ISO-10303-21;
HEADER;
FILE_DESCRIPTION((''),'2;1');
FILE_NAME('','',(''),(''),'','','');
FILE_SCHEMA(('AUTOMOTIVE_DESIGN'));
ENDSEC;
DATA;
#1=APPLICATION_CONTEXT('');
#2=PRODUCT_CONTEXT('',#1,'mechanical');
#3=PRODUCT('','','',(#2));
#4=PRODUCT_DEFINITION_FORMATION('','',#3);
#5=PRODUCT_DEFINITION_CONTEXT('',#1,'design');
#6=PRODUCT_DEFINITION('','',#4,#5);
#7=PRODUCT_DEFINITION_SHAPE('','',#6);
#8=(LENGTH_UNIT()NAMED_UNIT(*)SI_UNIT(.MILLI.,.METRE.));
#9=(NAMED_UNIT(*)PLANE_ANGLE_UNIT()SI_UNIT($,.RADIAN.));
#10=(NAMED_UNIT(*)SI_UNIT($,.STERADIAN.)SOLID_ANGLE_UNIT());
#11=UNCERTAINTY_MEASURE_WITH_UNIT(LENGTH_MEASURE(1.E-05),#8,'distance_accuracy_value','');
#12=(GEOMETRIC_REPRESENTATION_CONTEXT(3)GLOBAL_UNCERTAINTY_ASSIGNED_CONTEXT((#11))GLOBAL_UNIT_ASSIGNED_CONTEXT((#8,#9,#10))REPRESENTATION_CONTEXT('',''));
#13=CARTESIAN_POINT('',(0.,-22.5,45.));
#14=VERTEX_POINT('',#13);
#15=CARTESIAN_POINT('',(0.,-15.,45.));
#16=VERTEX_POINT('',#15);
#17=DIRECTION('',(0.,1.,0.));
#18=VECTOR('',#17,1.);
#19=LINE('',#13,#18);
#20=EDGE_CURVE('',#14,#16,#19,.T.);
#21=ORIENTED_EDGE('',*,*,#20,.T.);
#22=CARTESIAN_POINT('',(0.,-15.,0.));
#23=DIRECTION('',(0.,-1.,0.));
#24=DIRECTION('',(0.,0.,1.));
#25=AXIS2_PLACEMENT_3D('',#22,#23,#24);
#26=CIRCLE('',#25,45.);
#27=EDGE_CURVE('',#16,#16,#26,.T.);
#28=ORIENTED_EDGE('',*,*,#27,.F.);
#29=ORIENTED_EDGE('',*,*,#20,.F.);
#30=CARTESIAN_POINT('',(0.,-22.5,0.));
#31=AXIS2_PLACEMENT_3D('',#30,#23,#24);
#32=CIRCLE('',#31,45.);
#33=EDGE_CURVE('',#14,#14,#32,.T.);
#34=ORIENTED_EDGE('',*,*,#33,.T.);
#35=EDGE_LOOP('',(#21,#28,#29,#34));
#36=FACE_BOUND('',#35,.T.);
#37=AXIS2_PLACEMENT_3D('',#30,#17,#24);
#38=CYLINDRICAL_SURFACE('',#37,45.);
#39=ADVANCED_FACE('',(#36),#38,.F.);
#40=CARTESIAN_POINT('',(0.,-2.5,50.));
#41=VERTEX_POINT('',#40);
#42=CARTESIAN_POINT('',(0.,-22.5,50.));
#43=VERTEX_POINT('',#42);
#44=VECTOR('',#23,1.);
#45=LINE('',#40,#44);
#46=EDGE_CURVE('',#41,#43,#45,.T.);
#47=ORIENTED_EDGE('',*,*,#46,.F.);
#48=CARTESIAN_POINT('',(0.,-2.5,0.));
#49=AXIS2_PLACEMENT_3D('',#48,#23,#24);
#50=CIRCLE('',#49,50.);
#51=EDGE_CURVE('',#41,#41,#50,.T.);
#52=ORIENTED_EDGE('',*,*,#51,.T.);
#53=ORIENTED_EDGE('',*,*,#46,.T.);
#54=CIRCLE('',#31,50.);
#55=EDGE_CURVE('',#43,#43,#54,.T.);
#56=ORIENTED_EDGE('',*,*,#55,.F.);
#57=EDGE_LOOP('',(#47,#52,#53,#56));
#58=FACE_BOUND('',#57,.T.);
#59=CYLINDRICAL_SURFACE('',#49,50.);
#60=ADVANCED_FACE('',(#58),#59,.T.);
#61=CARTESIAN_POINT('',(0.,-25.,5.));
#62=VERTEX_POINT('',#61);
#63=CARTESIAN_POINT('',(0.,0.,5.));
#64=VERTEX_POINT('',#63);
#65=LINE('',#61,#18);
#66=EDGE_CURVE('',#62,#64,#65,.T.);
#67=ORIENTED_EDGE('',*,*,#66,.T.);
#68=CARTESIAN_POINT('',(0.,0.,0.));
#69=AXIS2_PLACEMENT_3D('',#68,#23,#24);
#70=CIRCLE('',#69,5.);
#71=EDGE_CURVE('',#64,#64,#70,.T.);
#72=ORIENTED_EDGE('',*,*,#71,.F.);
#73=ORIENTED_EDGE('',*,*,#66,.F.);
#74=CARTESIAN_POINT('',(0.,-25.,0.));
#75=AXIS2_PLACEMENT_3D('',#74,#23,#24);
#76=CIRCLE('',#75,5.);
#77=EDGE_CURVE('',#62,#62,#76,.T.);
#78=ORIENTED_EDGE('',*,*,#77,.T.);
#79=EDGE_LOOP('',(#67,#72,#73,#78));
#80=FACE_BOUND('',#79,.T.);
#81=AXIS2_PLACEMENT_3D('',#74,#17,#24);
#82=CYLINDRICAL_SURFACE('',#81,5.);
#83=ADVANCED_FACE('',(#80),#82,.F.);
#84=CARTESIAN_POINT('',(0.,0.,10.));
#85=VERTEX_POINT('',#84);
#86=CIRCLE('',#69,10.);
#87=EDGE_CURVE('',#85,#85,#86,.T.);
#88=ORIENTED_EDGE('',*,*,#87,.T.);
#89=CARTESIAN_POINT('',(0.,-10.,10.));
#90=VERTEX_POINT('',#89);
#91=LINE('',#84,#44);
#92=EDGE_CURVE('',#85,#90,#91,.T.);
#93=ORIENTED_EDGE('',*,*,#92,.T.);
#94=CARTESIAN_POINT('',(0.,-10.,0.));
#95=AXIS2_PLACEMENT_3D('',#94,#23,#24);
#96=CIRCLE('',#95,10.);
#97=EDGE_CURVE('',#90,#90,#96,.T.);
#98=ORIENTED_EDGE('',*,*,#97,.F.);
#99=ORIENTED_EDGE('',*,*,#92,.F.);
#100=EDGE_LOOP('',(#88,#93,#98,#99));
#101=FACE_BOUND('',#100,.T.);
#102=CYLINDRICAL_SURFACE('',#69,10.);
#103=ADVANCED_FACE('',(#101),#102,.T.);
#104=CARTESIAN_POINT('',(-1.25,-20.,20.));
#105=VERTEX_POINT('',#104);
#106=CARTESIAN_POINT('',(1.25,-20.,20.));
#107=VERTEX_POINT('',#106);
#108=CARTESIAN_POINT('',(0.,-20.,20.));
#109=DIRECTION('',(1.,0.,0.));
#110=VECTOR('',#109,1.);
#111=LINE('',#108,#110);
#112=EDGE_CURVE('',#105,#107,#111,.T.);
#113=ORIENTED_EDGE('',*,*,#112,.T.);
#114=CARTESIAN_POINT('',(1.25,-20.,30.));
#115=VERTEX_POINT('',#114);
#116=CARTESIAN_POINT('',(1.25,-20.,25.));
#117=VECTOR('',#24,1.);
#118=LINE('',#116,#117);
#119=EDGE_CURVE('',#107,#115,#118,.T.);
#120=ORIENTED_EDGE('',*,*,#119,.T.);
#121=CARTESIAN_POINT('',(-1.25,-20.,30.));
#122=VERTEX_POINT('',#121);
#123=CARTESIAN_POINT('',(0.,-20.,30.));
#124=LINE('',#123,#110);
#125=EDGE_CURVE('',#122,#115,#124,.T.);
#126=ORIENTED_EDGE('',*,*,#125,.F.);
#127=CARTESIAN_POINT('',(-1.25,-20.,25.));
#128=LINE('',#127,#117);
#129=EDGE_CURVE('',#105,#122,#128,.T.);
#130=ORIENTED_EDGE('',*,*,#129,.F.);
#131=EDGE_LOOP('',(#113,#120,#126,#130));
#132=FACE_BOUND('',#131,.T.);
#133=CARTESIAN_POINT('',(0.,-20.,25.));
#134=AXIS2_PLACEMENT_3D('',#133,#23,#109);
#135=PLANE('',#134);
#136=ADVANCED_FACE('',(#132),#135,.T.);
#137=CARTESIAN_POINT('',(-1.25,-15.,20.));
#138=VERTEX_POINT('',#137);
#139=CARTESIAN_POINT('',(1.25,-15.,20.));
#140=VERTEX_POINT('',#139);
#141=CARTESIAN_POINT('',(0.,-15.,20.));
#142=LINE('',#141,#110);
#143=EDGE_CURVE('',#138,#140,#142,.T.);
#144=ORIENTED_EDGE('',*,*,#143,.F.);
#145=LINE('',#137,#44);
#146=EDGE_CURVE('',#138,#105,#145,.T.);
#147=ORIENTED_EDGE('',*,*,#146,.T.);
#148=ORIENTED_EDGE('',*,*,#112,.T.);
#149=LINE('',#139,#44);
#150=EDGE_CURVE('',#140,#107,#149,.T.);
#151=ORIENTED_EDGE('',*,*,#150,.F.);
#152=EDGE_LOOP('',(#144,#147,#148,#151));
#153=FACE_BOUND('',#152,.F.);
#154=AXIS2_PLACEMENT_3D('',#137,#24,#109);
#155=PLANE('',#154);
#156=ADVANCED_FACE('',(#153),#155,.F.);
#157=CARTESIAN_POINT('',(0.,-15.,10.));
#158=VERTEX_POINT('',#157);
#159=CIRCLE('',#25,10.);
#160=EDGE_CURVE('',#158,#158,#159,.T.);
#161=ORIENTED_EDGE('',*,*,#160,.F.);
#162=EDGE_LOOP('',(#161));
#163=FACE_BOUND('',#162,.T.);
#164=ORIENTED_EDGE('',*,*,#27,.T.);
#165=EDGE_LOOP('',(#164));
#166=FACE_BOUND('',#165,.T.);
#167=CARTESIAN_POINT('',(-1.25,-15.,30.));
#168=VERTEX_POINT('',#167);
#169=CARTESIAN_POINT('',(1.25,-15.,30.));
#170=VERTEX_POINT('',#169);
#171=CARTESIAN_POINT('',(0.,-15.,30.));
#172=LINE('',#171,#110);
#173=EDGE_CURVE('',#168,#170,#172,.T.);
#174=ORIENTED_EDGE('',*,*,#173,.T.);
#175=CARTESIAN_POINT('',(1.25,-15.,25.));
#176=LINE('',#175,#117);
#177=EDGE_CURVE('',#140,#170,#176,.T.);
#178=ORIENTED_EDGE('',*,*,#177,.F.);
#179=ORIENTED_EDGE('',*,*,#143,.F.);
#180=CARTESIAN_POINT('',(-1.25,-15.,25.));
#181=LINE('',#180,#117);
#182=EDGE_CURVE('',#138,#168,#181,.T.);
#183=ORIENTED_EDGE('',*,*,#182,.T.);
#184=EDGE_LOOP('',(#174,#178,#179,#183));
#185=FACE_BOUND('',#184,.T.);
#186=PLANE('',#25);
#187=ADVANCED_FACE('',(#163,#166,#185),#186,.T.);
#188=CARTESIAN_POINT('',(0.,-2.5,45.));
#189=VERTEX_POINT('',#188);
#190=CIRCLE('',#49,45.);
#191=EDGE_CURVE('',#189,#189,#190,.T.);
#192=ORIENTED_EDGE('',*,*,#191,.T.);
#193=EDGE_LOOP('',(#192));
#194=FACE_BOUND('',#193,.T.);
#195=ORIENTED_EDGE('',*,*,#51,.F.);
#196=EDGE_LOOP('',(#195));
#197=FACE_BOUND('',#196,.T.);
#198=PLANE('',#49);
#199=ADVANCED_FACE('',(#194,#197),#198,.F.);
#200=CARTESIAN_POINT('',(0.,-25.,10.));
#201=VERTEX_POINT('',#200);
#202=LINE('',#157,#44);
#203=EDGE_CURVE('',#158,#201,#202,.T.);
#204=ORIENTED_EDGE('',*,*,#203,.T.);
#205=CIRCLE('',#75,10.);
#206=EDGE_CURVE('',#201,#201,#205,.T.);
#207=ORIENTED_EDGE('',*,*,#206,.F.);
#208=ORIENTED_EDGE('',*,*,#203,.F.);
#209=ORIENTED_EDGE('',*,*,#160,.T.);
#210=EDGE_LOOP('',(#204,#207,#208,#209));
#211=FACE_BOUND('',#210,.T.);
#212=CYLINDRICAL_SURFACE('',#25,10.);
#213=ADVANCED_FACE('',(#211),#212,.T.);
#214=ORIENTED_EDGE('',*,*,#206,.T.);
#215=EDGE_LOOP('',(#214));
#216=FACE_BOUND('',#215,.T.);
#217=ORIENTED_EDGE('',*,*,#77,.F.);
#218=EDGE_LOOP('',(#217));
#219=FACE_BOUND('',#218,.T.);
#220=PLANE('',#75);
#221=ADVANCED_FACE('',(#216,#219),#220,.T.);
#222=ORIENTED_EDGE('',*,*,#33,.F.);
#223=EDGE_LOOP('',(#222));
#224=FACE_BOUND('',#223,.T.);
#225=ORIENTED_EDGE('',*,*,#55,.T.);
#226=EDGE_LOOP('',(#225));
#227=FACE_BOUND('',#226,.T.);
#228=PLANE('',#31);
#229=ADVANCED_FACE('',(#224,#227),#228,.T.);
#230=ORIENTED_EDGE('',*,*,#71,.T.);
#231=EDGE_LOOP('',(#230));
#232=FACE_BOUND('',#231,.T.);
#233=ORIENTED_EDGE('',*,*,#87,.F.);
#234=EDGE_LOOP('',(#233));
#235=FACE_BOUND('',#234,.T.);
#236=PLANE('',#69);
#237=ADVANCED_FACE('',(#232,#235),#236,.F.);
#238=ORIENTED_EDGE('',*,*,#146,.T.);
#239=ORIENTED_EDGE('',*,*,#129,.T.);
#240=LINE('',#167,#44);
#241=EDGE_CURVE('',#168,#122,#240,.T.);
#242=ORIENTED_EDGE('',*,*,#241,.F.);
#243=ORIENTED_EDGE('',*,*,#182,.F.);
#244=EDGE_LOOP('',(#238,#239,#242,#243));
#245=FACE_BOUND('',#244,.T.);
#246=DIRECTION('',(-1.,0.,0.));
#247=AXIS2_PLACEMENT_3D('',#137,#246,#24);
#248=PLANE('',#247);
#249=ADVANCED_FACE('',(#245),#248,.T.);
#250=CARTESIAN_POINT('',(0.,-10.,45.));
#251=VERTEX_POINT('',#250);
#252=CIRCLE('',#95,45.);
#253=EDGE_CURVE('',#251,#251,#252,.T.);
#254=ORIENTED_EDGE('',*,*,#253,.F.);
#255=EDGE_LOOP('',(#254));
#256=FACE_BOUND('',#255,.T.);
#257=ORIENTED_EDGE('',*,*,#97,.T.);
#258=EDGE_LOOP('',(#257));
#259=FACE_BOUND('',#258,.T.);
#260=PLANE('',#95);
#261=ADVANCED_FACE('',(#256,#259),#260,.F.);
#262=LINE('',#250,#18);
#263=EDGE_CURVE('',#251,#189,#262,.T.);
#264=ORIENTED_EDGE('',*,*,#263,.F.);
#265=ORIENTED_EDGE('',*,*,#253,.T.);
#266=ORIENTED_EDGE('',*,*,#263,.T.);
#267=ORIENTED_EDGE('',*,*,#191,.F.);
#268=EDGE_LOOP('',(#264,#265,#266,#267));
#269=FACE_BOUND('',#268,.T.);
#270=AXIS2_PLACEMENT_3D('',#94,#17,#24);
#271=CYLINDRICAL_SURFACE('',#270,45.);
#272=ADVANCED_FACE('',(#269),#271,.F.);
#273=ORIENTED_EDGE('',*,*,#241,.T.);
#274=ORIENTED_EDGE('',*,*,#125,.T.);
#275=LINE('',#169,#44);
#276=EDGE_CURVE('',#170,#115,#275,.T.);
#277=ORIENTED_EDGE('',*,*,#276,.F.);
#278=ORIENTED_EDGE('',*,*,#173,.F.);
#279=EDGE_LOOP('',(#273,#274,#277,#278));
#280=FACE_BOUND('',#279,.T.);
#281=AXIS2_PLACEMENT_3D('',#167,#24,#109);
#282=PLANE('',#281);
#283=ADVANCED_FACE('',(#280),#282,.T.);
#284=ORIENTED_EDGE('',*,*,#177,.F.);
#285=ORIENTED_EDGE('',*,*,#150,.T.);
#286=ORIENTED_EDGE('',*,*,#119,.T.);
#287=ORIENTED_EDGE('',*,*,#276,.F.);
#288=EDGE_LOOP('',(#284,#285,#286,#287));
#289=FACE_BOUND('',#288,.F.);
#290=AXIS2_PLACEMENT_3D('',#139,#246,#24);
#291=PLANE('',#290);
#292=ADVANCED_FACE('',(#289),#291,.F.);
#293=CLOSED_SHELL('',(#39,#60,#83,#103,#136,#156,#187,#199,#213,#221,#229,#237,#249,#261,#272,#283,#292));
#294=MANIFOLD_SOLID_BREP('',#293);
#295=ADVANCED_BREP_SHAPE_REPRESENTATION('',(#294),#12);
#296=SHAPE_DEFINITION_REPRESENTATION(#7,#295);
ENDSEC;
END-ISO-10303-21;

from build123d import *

# Parameters (mm, degrees)
F3_W     = 2.5
F3_H     = 10
F4_DEPTH = 5


with BuildPart() as f2:
    # F0 (on Right) → F2 (revolve)
    with BuildSketch(Plane.YZ):
        Polygon((-25, 5), (0, 5), (0, 10), (-10, 10), (-10, 45), (-2.5, 45), (-2.5, 50), (-22.5, 50), (-22.5, 45), (-15, 45), (-15, 10), (-25, 10), align=None)
    revolve(axis=Axis((0, -23.925491, 0), (0, -1, 0)))

    # F3 (on face) → F4 (join)
    with BuildSketch(Plane.XZ.offset(15)):
        with Locations((0, 25)):
            Rectangle(F3_W, F3_H)
    extrude(amount=F4_DEPTH)


solid = f2.part
